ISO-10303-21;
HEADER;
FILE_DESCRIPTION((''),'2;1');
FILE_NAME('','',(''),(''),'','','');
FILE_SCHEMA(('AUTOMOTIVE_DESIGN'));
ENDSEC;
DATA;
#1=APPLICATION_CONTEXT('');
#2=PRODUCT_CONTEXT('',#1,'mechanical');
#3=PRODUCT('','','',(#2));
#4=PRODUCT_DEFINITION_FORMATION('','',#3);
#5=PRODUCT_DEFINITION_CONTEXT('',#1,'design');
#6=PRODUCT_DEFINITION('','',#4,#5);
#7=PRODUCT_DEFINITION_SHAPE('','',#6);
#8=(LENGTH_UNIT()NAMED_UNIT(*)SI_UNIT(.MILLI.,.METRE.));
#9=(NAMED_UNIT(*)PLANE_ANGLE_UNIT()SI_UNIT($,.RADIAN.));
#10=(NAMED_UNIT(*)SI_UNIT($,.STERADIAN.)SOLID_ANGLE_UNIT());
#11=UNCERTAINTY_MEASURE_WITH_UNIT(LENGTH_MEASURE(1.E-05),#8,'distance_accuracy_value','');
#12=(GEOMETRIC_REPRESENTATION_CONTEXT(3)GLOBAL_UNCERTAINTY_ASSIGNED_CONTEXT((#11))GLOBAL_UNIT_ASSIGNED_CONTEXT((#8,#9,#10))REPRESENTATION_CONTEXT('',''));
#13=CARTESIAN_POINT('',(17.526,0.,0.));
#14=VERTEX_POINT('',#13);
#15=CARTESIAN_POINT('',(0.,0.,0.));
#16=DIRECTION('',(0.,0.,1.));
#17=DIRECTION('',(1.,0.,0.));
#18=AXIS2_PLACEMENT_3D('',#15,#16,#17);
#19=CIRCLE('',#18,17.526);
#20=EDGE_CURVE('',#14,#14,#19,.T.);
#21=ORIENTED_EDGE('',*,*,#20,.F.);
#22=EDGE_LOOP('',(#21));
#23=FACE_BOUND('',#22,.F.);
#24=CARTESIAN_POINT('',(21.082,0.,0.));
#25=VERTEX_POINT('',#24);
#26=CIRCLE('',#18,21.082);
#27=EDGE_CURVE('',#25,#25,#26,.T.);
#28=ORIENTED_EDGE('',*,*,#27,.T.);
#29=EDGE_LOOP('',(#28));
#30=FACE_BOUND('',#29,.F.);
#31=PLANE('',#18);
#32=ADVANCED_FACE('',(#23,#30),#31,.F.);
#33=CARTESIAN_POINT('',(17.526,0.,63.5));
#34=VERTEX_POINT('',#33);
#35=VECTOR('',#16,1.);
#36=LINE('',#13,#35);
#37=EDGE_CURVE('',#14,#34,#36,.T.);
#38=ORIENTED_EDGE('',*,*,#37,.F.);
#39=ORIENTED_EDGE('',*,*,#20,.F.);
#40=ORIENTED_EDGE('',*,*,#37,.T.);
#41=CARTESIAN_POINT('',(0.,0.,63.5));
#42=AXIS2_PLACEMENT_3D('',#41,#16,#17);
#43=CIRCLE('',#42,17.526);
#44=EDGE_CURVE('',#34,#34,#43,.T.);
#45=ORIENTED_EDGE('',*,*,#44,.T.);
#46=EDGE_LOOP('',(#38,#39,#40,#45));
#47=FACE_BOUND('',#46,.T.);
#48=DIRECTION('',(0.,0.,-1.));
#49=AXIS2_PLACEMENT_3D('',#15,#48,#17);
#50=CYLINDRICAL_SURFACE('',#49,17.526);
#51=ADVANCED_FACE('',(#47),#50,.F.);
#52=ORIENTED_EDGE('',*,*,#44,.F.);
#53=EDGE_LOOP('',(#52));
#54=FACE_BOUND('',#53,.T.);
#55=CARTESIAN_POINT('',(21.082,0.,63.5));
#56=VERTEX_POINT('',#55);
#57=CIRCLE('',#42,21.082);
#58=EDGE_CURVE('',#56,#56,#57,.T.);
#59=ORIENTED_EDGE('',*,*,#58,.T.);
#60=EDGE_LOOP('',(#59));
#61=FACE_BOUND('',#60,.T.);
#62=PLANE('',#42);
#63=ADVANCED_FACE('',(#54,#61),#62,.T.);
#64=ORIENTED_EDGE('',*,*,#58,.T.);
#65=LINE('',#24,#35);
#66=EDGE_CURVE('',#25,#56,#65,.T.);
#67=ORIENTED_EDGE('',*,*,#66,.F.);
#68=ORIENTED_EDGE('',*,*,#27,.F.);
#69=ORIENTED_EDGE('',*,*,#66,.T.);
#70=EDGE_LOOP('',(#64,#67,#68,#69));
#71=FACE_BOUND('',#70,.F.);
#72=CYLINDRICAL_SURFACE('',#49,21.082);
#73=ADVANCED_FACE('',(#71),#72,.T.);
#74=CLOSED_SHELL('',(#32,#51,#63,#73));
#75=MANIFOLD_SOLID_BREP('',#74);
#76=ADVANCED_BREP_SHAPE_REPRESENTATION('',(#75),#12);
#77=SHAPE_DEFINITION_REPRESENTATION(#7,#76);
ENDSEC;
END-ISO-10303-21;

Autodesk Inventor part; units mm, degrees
ref_plane "YZ Plane" through (0, 0, 0) normal (1, 0, 0) x (0, 1, 0)
ref_plane "Start plane" through (0, 0, 0) normal (0, 0, 1) x (1, 0, 0)
ref_plane "End plane" through (0, 0, 63.5) normal (0, 0, 1) x (1, 0, 0)
sketch "Sketch" plane through (0, 0, 0) normal (0, 0, 1) x (1, 0, 0)
  circle A0 centre (0, 0) radius 17.526
  circle A1 centre (0, 0) radius 21.082
  dimension "d0" = 42.164
  dimension "d1" = 3.556
extrude "Body" add sketch "Sketch" along normal up to surface (63.5 mm away) from surface at 0
sketch "Sketch3" plane through (0, 0, 0) normal (0, 0, 1) x (1, 0, 0)
  line L0 (0, 0) -> (10, 0)
ref_plane "Work Plane3" through (0, 0, 0) normal (0, -1, 0) x (1, 0, 0)
sketch "Sketch4" plane through (0, 0, 0) normal (0, -1, 0) x (1, 0, 0)
  line L0 (-2, 0) -> (12, 0)
  line L1 (-2, 63.5) -> (12, 63.5)
  dimension "d7" = 63.5
equation "\"d0\" = G_H"
equation "\"d1\" = G_T"
equation "\"d2\" = G_L"
equation "\"G_H\" = 42.164"
equation "\"G_T\" = 3.556"
equation "\"G_L\" = d7"
equation "\"G_OFFSET_START\" = 0"
equation "\"G_OFFSET_END\" = 0"
equation "\"d5\" = G_OFFSET_END + B_L"
equation "\"B_L\" = 63.5"
properties part number "ANSI - 1 1/4 x 0.140 - 2.5" material "Aluminum 6061"
